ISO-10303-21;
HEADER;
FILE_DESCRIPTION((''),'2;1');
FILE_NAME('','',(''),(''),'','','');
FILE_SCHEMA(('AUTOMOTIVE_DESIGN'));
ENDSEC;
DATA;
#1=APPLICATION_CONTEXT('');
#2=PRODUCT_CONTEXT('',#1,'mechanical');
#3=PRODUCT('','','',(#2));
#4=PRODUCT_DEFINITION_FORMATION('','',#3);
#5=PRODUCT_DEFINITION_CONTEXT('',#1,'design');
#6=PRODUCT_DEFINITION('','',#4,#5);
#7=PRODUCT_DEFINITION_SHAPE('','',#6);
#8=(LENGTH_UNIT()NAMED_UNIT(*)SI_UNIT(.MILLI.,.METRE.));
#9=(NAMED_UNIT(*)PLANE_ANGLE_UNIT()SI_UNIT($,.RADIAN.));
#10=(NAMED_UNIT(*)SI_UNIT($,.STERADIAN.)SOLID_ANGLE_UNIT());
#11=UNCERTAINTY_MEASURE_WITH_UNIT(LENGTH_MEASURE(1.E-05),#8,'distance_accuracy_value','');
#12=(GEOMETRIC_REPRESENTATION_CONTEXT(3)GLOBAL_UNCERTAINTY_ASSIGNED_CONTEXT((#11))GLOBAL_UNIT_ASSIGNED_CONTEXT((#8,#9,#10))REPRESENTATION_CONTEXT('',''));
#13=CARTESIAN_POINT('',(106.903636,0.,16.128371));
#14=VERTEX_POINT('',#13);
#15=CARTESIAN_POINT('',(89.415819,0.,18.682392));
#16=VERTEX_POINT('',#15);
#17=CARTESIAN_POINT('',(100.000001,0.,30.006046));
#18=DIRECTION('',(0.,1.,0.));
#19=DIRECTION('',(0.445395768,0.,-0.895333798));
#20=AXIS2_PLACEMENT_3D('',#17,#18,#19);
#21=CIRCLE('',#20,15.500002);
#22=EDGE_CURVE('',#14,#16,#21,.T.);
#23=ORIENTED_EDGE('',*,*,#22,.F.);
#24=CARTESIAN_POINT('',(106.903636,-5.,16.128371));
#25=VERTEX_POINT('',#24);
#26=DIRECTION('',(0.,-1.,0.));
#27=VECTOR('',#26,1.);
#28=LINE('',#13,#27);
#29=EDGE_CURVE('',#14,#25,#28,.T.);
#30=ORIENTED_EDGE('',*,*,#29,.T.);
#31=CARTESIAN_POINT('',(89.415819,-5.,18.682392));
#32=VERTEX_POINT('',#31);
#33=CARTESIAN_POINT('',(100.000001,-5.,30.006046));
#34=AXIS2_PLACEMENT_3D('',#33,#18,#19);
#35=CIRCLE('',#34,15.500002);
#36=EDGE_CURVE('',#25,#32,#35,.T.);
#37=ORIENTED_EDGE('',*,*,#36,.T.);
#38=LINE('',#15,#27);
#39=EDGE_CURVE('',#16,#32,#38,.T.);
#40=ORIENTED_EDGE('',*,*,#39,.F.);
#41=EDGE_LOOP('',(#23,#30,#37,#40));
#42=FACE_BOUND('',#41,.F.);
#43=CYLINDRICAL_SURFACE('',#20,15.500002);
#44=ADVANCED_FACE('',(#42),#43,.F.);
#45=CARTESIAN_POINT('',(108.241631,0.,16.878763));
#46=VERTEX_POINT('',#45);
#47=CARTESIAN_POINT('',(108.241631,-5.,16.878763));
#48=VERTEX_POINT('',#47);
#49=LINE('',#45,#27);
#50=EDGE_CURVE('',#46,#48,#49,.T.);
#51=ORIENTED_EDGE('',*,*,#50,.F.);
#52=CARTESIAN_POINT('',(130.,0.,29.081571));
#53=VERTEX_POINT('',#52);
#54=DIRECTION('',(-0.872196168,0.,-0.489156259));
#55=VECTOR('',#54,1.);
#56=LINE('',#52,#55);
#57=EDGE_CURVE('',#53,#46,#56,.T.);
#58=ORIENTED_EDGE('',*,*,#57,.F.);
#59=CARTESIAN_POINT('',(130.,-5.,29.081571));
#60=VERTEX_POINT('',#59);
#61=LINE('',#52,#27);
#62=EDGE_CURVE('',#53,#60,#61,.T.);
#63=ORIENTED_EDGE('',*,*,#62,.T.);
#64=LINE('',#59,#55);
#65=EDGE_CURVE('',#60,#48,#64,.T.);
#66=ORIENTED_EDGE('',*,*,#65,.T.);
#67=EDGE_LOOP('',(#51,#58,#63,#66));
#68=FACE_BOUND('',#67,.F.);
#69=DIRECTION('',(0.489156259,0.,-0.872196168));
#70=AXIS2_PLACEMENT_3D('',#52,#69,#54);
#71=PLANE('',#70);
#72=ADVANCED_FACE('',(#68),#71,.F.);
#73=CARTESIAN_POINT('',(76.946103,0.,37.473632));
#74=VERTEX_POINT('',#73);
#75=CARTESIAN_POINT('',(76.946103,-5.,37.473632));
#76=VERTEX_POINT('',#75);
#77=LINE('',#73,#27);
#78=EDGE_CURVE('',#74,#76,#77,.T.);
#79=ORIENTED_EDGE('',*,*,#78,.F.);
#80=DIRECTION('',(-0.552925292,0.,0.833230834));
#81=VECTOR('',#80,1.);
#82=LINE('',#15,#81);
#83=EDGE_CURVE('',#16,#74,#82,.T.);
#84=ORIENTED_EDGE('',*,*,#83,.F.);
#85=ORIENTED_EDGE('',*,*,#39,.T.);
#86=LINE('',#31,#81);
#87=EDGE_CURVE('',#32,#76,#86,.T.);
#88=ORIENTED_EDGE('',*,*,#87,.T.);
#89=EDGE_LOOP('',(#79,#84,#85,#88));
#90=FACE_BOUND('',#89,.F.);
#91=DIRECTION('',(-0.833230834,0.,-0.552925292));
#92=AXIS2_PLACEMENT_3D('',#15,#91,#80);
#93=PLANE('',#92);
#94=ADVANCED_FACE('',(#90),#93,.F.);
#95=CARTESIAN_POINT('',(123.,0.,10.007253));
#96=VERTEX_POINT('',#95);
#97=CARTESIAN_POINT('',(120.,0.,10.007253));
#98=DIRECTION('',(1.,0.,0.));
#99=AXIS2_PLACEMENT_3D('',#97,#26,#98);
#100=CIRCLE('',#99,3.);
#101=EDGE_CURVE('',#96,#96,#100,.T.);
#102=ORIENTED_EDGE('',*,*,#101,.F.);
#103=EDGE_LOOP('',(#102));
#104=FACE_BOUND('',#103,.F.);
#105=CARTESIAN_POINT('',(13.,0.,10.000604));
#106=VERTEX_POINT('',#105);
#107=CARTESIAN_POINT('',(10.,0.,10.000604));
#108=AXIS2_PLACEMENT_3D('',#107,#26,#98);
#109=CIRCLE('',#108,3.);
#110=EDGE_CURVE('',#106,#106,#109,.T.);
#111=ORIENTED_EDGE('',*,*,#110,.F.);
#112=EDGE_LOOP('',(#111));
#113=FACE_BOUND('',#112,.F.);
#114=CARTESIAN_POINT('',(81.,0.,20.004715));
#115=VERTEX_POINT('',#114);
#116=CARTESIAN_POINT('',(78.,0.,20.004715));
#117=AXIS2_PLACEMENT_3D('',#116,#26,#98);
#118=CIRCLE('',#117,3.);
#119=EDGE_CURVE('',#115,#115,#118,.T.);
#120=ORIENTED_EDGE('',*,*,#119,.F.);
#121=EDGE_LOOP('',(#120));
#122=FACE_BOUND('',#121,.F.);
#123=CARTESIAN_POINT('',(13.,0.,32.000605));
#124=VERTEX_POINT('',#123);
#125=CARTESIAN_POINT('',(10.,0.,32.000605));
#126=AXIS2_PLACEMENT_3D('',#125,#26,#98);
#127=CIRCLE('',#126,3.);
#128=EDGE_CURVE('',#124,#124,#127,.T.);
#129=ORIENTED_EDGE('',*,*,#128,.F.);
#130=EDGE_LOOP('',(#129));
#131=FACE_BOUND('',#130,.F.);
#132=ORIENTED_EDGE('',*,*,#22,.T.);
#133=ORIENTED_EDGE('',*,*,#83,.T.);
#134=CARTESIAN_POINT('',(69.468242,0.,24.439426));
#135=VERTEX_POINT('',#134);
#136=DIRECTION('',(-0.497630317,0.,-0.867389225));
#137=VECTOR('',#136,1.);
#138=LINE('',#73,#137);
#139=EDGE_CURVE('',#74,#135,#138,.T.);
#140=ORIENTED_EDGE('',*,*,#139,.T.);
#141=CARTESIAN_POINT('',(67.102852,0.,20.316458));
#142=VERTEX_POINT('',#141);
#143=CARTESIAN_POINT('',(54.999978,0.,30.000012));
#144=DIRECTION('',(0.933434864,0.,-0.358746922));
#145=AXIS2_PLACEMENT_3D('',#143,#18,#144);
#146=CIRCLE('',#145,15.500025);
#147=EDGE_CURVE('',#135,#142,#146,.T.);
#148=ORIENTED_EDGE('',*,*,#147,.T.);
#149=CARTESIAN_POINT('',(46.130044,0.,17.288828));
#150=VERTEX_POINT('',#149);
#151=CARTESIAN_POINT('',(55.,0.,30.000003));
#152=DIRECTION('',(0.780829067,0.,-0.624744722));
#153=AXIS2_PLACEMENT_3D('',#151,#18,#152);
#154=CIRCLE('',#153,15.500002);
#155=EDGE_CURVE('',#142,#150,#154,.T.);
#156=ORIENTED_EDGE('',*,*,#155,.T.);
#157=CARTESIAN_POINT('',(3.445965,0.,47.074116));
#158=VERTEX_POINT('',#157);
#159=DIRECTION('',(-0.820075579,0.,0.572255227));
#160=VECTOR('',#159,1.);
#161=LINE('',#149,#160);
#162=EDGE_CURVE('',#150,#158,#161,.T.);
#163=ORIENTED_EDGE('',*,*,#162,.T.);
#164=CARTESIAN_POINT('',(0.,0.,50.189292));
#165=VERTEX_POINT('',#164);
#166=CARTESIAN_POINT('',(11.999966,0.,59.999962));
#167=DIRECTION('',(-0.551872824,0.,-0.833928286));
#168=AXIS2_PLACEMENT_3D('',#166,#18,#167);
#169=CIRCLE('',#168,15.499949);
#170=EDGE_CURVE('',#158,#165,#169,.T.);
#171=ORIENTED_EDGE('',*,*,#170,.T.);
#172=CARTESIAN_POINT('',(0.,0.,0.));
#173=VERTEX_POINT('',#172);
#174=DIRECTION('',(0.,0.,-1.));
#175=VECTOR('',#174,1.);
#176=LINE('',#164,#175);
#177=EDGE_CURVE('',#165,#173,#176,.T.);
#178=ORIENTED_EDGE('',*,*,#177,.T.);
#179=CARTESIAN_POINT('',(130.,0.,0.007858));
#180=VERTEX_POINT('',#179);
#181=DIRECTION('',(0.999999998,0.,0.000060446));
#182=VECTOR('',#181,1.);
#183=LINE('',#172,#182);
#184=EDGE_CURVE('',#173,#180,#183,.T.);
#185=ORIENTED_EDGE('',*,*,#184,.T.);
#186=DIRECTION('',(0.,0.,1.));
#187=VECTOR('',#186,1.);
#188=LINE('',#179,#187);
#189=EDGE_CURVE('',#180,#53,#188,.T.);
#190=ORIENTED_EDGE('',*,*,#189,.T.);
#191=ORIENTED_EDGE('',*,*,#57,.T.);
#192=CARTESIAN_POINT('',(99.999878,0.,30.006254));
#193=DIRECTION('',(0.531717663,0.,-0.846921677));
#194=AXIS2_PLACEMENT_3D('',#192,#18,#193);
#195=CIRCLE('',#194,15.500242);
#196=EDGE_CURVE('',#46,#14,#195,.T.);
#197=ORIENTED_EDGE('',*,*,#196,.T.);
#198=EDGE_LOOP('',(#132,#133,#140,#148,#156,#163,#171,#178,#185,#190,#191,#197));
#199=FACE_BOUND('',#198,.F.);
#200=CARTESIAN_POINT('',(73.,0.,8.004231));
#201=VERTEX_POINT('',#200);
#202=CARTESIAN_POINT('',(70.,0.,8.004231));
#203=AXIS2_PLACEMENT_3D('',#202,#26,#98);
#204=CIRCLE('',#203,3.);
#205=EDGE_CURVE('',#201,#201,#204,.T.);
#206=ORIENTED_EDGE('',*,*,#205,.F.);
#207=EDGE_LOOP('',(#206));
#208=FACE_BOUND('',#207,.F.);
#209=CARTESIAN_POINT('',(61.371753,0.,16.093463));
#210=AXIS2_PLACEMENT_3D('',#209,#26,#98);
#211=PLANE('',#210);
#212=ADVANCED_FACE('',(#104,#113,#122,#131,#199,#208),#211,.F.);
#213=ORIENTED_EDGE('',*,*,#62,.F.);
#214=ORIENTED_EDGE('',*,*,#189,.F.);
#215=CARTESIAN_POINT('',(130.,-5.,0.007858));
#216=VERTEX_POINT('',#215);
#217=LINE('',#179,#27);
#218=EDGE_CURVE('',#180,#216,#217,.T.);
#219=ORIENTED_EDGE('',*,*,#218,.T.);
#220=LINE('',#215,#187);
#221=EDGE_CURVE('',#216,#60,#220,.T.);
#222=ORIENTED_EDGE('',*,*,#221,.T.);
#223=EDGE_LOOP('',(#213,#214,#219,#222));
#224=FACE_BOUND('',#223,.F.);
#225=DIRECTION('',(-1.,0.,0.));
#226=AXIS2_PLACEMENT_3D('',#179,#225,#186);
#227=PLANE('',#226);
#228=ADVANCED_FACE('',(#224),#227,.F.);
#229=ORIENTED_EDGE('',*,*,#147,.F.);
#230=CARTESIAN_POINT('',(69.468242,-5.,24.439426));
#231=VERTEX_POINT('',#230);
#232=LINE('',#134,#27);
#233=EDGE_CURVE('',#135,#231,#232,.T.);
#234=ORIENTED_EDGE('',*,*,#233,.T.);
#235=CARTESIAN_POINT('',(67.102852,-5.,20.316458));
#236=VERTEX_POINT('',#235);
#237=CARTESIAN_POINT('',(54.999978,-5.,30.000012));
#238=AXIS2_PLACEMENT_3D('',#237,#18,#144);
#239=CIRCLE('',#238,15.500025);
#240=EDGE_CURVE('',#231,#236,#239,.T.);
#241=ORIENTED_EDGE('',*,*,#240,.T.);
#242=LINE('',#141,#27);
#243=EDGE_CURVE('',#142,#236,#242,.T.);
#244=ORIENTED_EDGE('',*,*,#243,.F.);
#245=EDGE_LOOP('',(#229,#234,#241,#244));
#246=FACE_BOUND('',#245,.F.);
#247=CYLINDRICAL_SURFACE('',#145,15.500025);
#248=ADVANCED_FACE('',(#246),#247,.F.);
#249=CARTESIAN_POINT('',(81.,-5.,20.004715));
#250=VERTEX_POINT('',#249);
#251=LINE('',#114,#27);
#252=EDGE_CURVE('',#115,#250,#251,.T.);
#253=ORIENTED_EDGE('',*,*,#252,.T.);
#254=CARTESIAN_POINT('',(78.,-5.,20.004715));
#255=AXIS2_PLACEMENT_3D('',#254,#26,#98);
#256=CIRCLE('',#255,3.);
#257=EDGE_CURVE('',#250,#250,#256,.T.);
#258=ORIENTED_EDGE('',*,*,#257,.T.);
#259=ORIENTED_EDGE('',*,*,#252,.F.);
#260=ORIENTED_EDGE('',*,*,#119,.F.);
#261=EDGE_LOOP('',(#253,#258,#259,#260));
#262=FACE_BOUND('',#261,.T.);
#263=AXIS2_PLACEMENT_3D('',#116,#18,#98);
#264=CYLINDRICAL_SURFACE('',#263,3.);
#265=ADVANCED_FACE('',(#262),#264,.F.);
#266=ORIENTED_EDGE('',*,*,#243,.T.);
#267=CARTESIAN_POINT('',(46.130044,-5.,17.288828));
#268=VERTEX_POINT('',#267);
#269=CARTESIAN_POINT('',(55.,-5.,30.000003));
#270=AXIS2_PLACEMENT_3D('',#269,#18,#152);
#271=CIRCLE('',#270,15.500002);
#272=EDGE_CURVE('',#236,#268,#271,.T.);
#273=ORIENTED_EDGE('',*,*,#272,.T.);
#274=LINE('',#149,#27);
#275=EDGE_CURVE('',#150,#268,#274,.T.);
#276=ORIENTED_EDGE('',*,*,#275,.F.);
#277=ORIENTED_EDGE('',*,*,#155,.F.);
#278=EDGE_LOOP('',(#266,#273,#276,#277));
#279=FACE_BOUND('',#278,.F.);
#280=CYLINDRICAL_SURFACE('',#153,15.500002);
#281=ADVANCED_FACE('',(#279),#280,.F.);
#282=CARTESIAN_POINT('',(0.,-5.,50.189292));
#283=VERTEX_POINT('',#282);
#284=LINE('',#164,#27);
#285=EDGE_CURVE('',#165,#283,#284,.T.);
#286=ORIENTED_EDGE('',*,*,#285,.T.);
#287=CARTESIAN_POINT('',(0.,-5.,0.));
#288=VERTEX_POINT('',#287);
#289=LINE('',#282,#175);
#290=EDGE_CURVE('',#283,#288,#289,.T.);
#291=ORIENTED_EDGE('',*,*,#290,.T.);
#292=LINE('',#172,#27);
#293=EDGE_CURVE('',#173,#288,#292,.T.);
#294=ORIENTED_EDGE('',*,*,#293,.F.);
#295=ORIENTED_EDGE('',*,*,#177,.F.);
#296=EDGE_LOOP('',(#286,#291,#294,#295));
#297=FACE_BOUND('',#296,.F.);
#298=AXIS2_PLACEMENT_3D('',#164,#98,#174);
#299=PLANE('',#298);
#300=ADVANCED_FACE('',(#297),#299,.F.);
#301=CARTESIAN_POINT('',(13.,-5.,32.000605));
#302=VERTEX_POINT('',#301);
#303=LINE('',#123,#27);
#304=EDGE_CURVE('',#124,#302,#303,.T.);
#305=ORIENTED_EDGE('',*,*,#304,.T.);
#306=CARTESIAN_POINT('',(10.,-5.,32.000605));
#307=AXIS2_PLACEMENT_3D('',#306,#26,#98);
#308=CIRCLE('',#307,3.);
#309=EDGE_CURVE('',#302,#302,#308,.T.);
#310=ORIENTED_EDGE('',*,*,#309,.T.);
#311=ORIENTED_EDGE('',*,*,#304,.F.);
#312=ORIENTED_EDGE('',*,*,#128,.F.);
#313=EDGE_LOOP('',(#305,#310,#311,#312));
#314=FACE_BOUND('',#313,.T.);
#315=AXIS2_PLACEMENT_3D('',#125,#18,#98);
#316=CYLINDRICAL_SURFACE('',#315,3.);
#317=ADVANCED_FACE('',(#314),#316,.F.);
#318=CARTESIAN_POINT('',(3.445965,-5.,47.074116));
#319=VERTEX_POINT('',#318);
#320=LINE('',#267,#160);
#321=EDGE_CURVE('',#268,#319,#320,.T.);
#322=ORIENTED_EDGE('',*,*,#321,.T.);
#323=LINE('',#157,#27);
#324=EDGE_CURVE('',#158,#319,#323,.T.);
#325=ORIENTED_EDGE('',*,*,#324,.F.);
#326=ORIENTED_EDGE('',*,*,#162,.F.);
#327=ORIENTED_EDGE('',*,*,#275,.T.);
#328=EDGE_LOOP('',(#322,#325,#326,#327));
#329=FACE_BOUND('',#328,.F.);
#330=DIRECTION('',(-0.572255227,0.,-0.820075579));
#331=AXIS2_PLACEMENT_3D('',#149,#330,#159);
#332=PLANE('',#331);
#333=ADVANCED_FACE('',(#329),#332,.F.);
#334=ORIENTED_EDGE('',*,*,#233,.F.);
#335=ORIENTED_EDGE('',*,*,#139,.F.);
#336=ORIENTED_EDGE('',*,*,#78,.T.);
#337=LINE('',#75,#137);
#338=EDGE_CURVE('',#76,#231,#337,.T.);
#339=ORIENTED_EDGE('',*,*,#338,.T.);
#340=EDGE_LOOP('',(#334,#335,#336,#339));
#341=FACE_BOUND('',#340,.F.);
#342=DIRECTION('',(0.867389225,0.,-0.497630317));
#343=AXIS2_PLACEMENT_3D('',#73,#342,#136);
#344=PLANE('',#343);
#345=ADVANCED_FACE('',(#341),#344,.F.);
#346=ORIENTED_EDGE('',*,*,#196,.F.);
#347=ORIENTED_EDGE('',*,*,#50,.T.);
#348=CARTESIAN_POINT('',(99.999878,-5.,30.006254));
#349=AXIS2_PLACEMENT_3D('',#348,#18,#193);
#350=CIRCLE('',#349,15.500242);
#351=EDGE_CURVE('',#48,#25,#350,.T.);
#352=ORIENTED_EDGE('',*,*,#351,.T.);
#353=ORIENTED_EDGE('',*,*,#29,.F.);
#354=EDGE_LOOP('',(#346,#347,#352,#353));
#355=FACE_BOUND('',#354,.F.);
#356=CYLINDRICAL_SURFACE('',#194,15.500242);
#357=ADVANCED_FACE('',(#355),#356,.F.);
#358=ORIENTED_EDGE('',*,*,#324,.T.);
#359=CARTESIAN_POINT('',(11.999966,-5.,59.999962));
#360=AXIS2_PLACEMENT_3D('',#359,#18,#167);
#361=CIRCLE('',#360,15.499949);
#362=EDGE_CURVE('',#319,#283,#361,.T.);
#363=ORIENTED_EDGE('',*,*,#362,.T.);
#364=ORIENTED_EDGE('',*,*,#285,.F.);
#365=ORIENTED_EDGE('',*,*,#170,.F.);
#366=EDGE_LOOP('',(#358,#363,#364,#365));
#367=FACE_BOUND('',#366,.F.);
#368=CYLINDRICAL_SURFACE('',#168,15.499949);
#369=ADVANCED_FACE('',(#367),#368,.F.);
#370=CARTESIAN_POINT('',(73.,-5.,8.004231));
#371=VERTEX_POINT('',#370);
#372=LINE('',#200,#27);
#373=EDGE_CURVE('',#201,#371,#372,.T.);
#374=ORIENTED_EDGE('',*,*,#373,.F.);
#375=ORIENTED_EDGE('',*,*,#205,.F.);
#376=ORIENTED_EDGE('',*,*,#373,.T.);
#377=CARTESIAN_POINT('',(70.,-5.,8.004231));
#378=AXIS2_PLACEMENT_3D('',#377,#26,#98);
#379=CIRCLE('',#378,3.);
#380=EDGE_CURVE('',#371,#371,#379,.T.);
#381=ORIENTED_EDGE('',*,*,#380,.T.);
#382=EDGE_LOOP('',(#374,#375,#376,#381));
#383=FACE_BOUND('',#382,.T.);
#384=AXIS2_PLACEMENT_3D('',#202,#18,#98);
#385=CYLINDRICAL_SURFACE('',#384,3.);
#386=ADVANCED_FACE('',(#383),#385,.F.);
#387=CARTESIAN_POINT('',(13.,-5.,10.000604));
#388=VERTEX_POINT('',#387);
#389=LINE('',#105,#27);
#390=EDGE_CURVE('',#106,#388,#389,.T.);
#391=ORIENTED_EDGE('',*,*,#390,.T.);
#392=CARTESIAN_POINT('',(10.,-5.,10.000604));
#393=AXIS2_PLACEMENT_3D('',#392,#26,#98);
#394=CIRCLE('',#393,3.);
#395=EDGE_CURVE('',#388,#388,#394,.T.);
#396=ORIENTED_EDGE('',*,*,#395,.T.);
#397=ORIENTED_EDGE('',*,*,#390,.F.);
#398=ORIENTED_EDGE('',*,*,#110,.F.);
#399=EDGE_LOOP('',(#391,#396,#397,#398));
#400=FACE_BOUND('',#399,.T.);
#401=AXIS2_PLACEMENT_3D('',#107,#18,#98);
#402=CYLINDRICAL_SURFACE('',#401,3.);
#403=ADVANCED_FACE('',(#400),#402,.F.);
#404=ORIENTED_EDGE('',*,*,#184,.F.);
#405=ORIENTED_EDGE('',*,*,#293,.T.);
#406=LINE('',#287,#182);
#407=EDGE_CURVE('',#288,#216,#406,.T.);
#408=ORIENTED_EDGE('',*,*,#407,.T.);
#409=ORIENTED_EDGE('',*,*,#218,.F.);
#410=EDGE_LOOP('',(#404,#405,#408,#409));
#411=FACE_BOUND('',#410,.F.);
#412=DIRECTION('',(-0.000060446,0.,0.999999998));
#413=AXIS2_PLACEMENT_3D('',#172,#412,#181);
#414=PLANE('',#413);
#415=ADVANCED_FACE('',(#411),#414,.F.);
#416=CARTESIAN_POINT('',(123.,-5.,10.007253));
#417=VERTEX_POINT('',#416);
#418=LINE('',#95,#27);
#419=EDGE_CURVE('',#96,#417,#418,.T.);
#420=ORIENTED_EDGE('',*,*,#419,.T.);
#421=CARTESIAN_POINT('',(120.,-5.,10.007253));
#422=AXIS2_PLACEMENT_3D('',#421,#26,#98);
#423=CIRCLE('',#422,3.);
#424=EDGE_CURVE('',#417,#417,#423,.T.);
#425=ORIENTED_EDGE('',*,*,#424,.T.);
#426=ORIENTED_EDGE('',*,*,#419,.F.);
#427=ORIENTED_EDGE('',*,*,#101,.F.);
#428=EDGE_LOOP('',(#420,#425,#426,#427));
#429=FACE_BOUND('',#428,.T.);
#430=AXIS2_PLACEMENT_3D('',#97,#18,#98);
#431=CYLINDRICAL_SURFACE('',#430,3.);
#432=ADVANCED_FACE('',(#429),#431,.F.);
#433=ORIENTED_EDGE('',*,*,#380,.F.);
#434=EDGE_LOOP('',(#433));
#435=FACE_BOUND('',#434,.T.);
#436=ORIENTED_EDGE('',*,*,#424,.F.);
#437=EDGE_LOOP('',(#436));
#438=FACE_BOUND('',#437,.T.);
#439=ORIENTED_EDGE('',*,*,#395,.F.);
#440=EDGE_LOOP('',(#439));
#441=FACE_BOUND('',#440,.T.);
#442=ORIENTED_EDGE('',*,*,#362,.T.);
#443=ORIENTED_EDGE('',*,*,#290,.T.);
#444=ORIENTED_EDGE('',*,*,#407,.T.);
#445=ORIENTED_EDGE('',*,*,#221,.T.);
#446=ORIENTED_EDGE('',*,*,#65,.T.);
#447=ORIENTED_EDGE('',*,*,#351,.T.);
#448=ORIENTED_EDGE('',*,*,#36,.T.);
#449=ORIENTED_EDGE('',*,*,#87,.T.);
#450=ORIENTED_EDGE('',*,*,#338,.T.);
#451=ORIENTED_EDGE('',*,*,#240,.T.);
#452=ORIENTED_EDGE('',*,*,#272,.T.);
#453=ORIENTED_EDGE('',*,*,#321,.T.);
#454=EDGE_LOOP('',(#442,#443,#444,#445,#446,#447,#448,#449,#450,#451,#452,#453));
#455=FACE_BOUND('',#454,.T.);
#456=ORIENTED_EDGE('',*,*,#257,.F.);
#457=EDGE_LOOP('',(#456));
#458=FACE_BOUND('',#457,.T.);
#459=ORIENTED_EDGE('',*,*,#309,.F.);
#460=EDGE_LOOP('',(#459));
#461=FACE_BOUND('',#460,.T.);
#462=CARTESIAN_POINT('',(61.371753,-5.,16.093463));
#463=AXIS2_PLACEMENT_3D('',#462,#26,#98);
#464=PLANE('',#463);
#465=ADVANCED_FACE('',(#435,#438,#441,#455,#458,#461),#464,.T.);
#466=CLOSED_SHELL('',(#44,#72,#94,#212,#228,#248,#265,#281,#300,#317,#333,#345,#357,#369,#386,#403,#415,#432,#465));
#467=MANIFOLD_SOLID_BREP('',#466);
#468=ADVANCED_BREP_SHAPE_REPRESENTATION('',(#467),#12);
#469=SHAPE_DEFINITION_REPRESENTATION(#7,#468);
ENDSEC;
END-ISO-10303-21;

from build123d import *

# Parameters (mm, degrees)
F0_R     = 3
F1_DEPTH = 5


with BuildPart() as f1:
    # F0 (on Front) → F1 (new body)
    with BuildSketch(Plane.XZ):
        with BuildLine():
            Line((0, 50.189292), (0, 0))
            Line((0, 0), (130, 0.007858))
            Line((130, 0.007858), (130, 29.081571))
            Line((130, 29.081571), (108.241631, 16.878763))
            ThreePointArc((108.241631, 16.878763), (107.581922, 16.487004), (106.903636, 16.128371))
            ThreePointArc((106.903636, 16.128371), (97.760054, 14.668749), (89.415819, 18.682392))
            Line((89.415819, 18.682392), (76.946103, 37.473632))
            Line((76.946103, 37.473632), (69.468242, 24.439426))
            ThreePointArc((69.468242, 24.439426), (68.444533, 22.28673), (67.102852, 20.316458))
            ThreePointArc((67.102852, 20.316458), (57.214619, 14.659027), (46.130044, 17.288828))
            Line((46.130044, 17.288828), (3.445965, 47.074116))
            ThreePointArc((3.445965, 47.074116), (1.605618, 48.501877), (0, 50.189292))
        make_face()
        with Locations((10, 10.000604)):
            Circle(F0_R, mode=Mode.SUBTRACT)
        with Locations((70, 8.004231)):
            Circle(F0_R, mode=Mode.SUBTRACT)
        with Locations((120, 10.007253)):
            Circle(F0_R, mode=Mode.SUBTRACT)
        with Locations((78, 20.004715)):
            Circle(F0_R, mode=Mode.SUBTRACT)
        with Locations((10, 32.000605)):
            Circle(F0_R, mode=Mode.SUBTRACT)
    extrude(amount=F1_DEPTH)


solid = f1.part
